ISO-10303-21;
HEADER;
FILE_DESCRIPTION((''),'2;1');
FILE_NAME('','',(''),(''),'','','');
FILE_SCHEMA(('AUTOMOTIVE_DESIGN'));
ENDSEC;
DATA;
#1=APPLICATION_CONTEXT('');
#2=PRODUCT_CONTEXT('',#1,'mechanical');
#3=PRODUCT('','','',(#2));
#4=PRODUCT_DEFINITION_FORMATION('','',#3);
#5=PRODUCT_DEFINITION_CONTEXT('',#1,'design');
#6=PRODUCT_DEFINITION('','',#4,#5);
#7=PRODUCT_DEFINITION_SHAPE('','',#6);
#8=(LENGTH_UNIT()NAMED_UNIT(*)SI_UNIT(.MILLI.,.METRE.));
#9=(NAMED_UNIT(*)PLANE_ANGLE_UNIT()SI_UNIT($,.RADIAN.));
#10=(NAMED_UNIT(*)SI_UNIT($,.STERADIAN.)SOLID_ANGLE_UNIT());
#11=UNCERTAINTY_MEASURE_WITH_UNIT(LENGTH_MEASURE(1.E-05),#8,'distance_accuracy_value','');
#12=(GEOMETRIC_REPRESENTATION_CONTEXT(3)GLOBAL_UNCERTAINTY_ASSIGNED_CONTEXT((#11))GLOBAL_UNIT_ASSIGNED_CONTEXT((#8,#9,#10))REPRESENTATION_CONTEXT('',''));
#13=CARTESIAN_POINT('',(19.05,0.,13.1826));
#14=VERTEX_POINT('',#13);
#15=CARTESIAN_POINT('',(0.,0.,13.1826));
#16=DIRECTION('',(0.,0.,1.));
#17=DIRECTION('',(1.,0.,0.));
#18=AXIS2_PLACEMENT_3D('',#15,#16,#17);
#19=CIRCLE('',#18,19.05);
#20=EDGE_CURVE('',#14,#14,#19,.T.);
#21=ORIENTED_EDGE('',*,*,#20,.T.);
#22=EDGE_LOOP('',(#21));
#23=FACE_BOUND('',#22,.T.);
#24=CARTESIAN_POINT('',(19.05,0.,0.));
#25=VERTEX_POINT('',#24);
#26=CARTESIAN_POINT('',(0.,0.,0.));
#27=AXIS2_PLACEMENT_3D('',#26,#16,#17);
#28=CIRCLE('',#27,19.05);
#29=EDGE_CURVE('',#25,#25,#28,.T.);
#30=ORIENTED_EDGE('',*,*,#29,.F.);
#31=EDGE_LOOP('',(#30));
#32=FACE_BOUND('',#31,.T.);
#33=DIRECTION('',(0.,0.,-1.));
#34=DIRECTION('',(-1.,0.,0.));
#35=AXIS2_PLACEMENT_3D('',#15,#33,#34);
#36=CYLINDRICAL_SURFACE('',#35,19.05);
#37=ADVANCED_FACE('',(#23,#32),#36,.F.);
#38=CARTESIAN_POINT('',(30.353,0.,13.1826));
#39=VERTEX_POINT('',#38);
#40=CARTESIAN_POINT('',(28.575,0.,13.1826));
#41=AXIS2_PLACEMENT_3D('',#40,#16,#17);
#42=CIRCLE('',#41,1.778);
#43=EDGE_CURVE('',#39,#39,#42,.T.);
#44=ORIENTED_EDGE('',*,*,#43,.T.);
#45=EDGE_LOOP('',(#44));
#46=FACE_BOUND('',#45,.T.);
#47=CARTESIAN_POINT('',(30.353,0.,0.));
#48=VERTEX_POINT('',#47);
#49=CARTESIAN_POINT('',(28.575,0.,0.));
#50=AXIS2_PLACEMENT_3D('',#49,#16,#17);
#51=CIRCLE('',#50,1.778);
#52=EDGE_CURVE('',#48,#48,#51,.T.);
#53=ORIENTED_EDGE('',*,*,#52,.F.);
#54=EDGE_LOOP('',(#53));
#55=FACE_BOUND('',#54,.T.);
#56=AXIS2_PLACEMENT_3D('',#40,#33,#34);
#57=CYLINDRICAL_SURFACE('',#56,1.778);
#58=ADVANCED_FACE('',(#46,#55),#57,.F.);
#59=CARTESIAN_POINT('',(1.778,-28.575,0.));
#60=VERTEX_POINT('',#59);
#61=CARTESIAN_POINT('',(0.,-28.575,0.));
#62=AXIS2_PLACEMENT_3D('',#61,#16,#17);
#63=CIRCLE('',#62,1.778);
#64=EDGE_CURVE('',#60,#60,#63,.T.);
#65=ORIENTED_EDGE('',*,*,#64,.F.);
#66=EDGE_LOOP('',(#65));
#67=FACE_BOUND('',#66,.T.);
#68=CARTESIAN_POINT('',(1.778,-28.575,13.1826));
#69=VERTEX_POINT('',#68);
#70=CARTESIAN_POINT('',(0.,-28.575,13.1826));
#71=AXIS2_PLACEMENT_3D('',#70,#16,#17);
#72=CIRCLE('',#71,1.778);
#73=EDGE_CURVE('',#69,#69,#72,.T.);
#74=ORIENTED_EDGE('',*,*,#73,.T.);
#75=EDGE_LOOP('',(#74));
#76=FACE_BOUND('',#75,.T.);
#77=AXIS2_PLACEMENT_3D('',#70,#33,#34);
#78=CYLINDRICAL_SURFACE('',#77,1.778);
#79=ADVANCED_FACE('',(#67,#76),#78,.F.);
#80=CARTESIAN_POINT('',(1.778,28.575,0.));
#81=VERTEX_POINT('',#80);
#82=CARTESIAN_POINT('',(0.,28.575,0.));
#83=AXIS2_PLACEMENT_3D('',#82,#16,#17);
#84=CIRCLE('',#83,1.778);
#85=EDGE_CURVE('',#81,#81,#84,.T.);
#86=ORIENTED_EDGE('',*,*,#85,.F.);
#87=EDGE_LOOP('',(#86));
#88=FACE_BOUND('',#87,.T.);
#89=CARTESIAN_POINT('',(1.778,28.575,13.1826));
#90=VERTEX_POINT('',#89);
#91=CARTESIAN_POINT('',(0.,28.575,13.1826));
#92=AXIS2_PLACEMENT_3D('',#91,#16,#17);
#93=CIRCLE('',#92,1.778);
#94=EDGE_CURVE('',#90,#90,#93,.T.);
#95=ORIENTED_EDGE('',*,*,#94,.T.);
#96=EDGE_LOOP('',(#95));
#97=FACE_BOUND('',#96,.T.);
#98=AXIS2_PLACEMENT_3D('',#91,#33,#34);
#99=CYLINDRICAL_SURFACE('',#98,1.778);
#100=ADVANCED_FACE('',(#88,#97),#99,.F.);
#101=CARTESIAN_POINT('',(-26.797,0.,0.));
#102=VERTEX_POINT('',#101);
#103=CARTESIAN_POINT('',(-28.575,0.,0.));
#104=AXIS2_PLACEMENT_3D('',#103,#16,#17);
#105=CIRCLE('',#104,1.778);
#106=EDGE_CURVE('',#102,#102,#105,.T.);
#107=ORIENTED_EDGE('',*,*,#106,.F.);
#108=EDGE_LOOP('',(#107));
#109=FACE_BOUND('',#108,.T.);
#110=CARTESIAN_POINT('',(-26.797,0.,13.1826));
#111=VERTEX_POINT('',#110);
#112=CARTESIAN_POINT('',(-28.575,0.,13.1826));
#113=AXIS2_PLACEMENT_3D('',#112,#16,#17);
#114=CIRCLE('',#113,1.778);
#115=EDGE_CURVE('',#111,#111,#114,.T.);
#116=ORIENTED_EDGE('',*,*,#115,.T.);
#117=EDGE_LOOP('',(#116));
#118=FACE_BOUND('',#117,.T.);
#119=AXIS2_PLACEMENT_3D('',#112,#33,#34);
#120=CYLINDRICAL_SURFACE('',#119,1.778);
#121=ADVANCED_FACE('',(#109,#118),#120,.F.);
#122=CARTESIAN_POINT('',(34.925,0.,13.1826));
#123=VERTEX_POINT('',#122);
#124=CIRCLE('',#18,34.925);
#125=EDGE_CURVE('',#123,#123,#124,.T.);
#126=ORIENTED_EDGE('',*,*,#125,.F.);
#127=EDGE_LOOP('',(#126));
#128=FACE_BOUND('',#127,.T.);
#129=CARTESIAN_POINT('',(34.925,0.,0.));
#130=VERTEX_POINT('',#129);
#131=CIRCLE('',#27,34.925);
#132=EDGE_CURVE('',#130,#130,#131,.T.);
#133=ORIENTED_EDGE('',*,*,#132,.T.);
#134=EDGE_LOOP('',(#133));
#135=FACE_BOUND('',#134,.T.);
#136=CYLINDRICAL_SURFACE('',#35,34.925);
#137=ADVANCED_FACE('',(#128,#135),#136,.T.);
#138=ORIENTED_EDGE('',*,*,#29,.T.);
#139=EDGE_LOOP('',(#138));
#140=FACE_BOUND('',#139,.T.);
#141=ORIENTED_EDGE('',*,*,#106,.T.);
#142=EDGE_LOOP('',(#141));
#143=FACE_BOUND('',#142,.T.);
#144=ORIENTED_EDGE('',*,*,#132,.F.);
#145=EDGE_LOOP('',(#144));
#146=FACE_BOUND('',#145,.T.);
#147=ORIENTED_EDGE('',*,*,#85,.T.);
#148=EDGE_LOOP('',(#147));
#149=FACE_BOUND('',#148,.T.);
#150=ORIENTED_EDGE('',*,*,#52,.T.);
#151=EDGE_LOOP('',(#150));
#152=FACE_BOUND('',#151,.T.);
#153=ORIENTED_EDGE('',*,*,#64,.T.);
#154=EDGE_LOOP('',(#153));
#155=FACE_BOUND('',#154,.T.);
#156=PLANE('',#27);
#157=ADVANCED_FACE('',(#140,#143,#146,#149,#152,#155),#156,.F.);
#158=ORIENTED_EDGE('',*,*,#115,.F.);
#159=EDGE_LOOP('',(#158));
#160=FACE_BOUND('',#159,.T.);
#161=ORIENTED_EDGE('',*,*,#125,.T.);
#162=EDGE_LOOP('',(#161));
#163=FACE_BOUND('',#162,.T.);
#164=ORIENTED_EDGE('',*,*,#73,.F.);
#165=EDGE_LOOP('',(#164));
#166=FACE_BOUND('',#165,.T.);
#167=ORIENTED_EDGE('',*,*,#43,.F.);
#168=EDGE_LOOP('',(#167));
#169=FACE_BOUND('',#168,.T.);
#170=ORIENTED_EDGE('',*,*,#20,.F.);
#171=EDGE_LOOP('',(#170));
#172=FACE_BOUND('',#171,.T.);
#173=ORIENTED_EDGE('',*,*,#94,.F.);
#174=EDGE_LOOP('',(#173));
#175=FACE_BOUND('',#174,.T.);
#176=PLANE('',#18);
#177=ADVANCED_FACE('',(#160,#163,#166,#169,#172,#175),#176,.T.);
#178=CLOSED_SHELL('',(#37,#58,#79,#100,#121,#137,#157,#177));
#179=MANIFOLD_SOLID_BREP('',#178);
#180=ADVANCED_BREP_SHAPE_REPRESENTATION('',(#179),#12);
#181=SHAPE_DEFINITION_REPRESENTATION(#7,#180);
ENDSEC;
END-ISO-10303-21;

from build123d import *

# Parameters (mm, degrees)
SKETCH1_R           = 34.925
SKETCH1_R_2         = 19.05
SKETCH1_R_3         = 1.778
BOSS_EXTRUDE1_DEPTH = 13.1826


with BuildPart() as part:
    # Sketch1 → Boss-Extrude1 (new body)
    with BuildSketch(Plane.XY):
        Circle(SKETCH1_R)
        Circle(SKETCH1_R_2, mode=Mode.SUBTRACT)
        with Locations((0, 28.575)):
            Circle(SKETCH1_R_3, mode=Mode.SUBTRACT)
        with Locations((28.575, 0)):
            Circle(SKETCH1_R_3, mode=Mode.SUBTRACT)
        with Locations((0, -28.575)):
            Circle(SKETCH1_R_3, mode=Mode.SUBTRACT)
        with Locations((-28.575, 0)):
            Circle(SKETCH1_R_3, mode=Mode.SUBTRACT)
    extrude(amount=BOSS_EXTRUDE1_DEPTH)


solid = part.part
